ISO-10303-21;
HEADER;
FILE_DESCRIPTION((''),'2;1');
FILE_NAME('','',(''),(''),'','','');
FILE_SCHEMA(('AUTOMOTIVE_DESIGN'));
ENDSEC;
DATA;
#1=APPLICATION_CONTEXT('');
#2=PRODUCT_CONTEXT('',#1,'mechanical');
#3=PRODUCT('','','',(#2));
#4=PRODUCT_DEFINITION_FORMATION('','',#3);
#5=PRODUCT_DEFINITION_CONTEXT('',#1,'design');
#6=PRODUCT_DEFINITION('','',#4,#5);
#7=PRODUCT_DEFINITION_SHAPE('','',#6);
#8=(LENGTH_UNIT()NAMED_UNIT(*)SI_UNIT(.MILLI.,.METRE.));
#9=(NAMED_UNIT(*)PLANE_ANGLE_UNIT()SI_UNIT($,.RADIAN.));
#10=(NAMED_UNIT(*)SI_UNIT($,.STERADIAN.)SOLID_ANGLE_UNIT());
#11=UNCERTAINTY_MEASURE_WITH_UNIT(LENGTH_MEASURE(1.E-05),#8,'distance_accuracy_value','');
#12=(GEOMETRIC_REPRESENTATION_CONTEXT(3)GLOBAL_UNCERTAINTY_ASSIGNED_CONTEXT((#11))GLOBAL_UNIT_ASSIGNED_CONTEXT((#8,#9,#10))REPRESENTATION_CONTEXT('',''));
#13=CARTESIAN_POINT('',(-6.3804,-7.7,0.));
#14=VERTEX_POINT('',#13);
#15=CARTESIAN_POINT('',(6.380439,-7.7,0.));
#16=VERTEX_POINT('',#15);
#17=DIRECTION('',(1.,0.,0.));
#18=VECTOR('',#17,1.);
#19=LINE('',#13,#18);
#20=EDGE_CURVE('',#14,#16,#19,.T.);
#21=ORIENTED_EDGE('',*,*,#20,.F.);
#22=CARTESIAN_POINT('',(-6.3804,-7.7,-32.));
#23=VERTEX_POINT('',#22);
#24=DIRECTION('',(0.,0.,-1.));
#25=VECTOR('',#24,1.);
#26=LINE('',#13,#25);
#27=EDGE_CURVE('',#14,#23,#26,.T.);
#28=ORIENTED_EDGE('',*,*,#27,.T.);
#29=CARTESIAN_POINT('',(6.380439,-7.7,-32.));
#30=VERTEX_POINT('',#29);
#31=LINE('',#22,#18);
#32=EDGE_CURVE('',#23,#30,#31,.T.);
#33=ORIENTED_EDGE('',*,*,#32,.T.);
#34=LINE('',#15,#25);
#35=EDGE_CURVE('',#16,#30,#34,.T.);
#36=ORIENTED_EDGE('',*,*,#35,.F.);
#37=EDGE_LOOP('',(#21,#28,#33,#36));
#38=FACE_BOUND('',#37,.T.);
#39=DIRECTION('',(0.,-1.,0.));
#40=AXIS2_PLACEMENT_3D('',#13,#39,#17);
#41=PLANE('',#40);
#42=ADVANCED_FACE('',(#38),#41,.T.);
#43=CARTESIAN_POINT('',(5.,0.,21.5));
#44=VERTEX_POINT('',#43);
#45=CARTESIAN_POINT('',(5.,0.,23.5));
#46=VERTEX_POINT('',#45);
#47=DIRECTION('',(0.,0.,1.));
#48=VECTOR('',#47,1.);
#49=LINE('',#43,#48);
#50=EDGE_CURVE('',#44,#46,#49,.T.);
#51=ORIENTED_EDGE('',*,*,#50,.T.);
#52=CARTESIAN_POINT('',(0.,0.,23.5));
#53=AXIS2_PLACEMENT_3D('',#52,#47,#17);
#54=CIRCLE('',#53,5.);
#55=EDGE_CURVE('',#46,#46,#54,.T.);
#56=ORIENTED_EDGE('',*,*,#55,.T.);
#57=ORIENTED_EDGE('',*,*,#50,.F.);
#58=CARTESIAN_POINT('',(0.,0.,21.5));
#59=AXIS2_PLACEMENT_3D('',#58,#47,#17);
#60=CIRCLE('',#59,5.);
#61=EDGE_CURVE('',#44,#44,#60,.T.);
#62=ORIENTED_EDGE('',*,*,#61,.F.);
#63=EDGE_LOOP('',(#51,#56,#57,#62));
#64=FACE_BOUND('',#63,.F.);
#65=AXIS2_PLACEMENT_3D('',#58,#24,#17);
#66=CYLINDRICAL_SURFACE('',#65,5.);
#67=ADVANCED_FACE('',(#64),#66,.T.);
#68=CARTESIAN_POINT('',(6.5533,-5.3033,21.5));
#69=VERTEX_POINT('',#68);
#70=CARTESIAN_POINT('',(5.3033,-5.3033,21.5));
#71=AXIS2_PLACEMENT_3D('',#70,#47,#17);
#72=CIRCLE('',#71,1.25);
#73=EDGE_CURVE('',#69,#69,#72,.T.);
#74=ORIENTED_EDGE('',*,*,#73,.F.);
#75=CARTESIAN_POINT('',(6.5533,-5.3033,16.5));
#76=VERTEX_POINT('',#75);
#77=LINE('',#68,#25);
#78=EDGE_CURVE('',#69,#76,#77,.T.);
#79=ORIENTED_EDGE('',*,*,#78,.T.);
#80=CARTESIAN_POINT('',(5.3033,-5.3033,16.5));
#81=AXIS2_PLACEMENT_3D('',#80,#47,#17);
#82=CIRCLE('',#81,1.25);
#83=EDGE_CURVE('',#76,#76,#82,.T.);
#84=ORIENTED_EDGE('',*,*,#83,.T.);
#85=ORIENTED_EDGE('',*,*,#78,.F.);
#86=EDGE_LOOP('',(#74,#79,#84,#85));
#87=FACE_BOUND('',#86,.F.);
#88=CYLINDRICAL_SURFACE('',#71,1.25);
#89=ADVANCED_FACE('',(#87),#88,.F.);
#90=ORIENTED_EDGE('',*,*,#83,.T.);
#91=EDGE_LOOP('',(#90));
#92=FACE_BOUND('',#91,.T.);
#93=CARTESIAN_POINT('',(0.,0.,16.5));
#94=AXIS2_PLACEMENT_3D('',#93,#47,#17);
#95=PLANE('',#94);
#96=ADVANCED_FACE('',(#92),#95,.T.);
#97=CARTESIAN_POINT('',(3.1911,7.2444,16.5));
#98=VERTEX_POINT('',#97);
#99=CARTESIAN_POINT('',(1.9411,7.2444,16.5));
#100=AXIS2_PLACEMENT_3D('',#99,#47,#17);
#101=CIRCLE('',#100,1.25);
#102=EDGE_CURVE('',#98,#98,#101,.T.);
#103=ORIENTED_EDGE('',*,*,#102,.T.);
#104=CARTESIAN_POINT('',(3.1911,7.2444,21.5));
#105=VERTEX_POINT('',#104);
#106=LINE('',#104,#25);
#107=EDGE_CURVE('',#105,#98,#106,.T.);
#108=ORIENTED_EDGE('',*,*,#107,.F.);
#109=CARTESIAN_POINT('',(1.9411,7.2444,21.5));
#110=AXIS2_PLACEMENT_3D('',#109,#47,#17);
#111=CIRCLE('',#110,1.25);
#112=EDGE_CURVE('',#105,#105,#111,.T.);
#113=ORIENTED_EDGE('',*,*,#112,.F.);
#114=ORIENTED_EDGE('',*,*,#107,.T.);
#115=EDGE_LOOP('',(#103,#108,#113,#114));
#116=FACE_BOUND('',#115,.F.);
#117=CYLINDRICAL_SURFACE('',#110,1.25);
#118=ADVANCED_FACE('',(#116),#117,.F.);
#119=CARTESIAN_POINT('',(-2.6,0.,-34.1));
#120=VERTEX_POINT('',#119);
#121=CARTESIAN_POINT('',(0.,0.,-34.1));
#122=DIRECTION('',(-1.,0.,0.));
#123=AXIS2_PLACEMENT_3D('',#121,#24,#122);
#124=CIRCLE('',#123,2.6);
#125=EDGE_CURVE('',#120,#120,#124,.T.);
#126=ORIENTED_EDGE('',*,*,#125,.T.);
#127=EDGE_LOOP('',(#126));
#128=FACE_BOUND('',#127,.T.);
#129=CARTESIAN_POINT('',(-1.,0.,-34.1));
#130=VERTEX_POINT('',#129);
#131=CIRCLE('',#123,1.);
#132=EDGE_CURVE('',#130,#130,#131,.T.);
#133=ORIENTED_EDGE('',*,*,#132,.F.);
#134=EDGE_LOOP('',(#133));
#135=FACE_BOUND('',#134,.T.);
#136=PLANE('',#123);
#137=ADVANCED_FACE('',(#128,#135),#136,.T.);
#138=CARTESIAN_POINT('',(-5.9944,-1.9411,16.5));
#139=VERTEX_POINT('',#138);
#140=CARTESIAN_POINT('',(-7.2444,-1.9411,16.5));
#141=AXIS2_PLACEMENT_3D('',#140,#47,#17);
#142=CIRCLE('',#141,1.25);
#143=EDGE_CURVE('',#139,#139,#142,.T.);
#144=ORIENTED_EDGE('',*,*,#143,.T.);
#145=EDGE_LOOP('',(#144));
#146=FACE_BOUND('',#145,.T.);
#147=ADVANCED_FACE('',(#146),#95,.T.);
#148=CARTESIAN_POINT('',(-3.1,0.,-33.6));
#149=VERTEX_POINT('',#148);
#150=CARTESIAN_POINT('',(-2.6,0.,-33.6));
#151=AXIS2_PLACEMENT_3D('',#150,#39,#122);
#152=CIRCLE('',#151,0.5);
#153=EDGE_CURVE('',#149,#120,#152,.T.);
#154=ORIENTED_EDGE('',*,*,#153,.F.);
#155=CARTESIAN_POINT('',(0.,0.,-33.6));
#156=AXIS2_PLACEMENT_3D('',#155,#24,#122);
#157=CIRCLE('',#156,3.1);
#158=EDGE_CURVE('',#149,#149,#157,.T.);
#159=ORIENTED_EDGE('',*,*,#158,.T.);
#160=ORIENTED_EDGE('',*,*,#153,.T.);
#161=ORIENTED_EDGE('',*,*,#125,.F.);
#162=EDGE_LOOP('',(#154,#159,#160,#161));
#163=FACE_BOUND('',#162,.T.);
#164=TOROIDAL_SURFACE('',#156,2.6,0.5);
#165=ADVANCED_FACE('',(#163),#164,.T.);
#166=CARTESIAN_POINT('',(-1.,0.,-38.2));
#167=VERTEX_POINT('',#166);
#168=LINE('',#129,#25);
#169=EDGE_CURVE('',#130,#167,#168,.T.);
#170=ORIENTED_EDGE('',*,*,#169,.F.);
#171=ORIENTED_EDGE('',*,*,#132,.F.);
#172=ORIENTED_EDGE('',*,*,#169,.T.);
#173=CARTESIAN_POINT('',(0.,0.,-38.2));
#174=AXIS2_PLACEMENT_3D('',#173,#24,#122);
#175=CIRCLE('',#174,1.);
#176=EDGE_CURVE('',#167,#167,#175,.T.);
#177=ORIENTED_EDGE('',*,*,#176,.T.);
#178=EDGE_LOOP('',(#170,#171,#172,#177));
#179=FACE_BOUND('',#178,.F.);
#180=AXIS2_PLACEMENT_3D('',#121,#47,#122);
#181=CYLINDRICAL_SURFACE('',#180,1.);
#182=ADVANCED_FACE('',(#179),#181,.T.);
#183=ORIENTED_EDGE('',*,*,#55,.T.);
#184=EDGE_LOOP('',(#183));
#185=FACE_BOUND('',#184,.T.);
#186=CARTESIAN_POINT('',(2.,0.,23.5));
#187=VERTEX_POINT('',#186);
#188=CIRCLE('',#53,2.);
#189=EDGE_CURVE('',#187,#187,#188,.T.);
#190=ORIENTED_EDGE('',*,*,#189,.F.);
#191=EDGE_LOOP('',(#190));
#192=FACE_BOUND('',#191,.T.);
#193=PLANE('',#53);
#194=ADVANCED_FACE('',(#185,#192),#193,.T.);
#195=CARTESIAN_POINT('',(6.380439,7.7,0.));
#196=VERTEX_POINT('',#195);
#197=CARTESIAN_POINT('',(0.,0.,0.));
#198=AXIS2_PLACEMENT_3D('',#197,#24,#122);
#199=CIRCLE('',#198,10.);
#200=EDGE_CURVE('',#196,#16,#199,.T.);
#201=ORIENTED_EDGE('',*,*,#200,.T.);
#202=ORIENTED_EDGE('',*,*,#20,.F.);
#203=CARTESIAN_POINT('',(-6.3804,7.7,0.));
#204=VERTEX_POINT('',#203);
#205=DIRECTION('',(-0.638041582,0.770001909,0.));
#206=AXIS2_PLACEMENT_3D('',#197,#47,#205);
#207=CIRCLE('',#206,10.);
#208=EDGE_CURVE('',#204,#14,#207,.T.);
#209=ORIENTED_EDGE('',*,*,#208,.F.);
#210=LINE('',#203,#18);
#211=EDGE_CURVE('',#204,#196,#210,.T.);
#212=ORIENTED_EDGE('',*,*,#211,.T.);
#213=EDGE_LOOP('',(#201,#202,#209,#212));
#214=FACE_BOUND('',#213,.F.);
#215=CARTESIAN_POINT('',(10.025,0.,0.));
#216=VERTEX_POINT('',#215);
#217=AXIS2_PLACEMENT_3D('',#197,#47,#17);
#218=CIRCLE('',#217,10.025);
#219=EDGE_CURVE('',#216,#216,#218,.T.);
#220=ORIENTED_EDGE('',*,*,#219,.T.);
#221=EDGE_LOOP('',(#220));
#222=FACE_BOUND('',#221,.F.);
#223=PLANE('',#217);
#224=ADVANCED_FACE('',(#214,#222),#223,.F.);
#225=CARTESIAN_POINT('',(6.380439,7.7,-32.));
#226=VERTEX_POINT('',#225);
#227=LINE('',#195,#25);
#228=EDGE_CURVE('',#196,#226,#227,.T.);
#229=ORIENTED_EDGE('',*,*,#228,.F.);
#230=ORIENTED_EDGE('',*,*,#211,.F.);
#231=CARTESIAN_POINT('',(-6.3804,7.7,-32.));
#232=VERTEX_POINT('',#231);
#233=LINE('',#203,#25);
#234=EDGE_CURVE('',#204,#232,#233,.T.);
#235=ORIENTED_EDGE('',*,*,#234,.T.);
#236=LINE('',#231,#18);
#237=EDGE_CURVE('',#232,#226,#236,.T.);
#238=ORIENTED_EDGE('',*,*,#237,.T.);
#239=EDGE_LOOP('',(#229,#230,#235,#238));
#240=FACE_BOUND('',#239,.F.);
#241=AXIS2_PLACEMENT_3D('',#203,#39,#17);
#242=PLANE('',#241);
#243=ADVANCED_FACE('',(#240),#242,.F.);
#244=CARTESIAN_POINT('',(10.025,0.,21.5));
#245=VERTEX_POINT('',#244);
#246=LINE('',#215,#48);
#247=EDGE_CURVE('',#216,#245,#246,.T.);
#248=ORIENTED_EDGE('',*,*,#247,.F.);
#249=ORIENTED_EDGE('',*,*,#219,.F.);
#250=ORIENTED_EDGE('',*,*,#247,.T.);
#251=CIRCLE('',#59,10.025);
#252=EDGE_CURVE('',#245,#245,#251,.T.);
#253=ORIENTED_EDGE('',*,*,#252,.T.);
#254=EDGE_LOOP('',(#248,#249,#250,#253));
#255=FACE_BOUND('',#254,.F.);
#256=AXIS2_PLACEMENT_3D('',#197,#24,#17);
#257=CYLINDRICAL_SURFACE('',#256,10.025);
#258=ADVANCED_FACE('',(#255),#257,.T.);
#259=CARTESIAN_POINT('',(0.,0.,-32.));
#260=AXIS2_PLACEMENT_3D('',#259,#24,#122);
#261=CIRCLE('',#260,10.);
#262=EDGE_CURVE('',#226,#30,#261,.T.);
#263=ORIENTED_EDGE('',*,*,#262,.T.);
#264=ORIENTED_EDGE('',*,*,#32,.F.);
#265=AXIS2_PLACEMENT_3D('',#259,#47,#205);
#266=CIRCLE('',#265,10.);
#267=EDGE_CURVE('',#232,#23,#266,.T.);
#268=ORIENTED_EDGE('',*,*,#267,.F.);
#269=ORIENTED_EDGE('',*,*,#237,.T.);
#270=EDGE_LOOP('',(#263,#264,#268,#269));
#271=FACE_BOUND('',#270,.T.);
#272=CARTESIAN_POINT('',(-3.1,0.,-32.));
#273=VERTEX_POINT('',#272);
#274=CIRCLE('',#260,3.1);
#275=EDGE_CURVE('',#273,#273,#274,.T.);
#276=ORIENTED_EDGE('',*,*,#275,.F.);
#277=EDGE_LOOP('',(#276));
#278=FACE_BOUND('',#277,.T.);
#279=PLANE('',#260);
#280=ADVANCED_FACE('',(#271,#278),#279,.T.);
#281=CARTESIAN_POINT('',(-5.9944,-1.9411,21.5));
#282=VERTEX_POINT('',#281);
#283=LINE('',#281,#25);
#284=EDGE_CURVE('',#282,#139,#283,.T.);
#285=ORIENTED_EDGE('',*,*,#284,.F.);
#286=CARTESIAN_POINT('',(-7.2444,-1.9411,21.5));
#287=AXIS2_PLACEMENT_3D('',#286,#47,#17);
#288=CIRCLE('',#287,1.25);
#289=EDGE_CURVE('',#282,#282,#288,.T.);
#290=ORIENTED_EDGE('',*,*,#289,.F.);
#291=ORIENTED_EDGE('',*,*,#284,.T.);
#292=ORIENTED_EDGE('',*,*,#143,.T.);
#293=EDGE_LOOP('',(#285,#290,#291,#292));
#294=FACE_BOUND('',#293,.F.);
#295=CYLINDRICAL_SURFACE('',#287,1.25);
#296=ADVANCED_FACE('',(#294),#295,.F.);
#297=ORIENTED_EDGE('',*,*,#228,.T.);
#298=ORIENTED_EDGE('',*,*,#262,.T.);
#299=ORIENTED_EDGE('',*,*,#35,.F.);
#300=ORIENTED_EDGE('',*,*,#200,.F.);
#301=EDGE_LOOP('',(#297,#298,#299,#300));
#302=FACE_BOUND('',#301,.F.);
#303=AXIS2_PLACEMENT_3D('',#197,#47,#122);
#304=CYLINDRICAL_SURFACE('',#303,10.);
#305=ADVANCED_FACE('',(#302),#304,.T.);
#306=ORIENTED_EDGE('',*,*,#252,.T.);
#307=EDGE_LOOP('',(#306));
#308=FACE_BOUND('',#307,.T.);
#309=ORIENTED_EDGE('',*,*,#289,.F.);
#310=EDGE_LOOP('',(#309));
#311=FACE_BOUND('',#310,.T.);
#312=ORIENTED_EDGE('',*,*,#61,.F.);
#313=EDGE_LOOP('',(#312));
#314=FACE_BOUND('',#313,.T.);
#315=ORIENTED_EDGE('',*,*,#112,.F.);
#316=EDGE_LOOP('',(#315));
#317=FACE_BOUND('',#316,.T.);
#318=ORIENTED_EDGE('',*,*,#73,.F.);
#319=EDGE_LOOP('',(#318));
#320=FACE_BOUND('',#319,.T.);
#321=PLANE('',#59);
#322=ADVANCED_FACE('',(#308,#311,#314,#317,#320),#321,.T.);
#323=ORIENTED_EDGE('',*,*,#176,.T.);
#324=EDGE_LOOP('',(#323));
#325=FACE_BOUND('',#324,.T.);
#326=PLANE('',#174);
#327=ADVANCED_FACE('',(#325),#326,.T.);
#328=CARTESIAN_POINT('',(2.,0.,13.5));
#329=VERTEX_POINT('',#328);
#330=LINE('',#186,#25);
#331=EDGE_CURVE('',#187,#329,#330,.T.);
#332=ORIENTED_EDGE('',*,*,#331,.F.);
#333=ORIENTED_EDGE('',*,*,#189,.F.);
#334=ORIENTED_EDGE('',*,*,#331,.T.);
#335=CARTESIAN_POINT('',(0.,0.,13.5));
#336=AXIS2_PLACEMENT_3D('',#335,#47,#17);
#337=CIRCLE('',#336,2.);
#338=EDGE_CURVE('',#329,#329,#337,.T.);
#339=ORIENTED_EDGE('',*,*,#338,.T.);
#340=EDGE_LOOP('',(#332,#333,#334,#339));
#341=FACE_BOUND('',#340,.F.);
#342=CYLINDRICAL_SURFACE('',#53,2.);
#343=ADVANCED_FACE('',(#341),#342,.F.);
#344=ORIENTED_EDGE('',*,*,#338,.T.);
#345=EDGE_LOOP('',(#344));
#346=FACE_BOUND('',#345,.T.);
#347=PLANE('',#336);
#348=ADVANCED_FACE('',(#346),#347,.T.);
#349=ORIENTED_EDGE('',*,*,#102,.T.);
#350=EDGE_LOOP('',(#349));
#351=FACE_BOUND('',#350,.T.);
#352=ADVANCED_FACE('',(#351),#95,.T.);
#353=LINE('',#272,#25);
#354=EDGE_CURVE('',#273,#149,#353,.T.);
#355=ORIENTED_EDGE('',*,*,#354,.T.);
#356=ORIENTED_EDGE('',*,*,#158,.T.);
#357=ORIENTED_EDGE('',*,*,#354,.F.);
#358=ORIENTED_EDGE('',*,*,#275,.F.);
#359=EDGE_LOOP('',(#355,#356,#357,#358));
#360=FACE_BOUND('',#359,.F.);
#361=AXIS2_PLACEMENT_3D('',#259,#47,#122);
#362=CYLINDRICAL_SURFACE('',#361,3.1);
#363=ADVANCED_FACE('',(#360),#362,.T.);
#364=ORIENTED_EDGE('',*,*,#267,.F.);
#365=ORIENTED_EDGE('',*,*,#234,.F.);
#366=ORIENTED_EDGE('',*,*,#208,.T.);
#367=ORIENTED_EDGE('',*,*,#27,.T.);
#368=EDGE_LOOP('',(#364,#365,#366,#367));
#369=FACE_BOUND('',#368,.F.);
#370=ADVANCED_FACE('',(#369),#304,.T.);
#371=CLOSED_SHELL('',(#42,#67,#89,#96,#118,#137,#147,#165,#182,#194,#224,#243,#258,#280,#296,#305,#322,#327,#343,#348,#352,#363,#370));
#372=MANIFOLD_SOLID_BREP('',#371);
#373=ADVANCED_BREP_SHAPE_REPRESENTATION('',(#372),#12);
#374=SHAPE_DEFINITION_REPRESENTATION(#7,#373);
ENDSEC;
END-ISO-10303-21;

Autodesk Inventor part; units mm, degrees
ref_plane "YZ Plane" through (0, 0, 0) normal (1, 0, 0) x (0, 1, 0)
ref_plane "XZ Plane" through (0, 0, 0) normal (0, 1, 0) x (-1, 0, 0)
ref_plane "XY Plane" through (0, 0, 0) normal (0, 0, 1) x (1, 0, 0)
sketch "Эскиз1" plane through (0, 0, 0) normal (0, 0, 1) x (1, 0, 0)
  circle A0 centre (0, 0) radius 10.025
  dimension "d0" = 20.05
extrude "Выдавливание1" add sketch "Эскиз1" along normal blind 21.5
sketch "Эскиз2" plane through (0, 0, 21.5) normal (0, 0, 1) x (1, 0, 0)
  circle A0 centre (0, 0) radius 5
  dimension "d3" = 10
extrude "Выдавливание2" add sketch "Эскиз2" along normal blind 2
sketch "Эскиз3" plane through (0, 0, 0) normal (0, 0, -1) x (-1, 0, 0)
  circle A0 centre (0, 0) radius 10
  line L0 (6.3804, -7.7) -> (-6.4196, -7.7)
  circle A1 centre (0, 0) radius 10.025 construction
  line L1 (-10.025, 0) -> (10.025, 0) construction
  circle A2 centre (0, 0) radius 10.025 construction
  line L2 (6.3804, 7.7) -> (-6.4196, 7.7)
  point P0 (-6.3804, 7.7)
  point P1 (-6.3804, -7.7)
  dimension "d6" = 20
  dimension "d10" = 15.4
extrude "Выдавливание3" add sketch "Эскиз3" along normal blind 32 contours A0 L0 L2
sketch "Эскиз4" plane through (0, 0, 21.5) normal (0, 0, 1) x (1, 0, 0)
  circle A0 centre (0, 0) radius 7.5 construction
  circle A1 centre (1.9411, 7.2444) radius 1.25
  circle A2 centre (0, 0) radius 10.025 construction
  line L0 (0, 10.025) -> (0, -10.025) construction
  line L1 (1.9411, 7.2444) -> (0, 0) construction
  circle A3 centre (-7.2444, -1.9411) radius 1.25
  circle A4 centre (5.3033, -5.3033) radius 1.25
  dimension "d11" = 15
  dimension "d12" = 2.5
  dimension "d13" = 15
  dimension "d16" = 360
extrude "Выдавливание4" cut sketch "Эскиз4" against normal blind 5
sketch "Эскиз5" plane through (0, 0, -32) normal (0, 0, -1) x (-1, 0, 0)
  circle A0 centre (0, 0) radius 3.1
  dimension "d20" = 6.2
extrude "Выдавливание5" add sketch "Эскиз5" along normal blind 2.1
fillet "Сопряжение1" radius 0.5 1 edges at (3.1, 0, -34.1)
sketch "Эскиз6" plane through (0, 0, -34.1) normal (0, 0, -1) x (-1, 0, 0)
  circle A0 centre (0, 0) radius 1
  dimension "d24" = 2
extrude "Выдавливание6" add sketch "Эскиз6" along normal blind 4.1
sketch "Эскиз7" plane through (0, 0, 23.5) normal (0, 0, 1) x (1, 0, 0)
  circle A0 centre (0, 0) radius 2
  dimension "d27" = 4
extrude "Выдавливание7" cut sketch "Эскиз7" against normal blind 10
properties part number "motor_body"
